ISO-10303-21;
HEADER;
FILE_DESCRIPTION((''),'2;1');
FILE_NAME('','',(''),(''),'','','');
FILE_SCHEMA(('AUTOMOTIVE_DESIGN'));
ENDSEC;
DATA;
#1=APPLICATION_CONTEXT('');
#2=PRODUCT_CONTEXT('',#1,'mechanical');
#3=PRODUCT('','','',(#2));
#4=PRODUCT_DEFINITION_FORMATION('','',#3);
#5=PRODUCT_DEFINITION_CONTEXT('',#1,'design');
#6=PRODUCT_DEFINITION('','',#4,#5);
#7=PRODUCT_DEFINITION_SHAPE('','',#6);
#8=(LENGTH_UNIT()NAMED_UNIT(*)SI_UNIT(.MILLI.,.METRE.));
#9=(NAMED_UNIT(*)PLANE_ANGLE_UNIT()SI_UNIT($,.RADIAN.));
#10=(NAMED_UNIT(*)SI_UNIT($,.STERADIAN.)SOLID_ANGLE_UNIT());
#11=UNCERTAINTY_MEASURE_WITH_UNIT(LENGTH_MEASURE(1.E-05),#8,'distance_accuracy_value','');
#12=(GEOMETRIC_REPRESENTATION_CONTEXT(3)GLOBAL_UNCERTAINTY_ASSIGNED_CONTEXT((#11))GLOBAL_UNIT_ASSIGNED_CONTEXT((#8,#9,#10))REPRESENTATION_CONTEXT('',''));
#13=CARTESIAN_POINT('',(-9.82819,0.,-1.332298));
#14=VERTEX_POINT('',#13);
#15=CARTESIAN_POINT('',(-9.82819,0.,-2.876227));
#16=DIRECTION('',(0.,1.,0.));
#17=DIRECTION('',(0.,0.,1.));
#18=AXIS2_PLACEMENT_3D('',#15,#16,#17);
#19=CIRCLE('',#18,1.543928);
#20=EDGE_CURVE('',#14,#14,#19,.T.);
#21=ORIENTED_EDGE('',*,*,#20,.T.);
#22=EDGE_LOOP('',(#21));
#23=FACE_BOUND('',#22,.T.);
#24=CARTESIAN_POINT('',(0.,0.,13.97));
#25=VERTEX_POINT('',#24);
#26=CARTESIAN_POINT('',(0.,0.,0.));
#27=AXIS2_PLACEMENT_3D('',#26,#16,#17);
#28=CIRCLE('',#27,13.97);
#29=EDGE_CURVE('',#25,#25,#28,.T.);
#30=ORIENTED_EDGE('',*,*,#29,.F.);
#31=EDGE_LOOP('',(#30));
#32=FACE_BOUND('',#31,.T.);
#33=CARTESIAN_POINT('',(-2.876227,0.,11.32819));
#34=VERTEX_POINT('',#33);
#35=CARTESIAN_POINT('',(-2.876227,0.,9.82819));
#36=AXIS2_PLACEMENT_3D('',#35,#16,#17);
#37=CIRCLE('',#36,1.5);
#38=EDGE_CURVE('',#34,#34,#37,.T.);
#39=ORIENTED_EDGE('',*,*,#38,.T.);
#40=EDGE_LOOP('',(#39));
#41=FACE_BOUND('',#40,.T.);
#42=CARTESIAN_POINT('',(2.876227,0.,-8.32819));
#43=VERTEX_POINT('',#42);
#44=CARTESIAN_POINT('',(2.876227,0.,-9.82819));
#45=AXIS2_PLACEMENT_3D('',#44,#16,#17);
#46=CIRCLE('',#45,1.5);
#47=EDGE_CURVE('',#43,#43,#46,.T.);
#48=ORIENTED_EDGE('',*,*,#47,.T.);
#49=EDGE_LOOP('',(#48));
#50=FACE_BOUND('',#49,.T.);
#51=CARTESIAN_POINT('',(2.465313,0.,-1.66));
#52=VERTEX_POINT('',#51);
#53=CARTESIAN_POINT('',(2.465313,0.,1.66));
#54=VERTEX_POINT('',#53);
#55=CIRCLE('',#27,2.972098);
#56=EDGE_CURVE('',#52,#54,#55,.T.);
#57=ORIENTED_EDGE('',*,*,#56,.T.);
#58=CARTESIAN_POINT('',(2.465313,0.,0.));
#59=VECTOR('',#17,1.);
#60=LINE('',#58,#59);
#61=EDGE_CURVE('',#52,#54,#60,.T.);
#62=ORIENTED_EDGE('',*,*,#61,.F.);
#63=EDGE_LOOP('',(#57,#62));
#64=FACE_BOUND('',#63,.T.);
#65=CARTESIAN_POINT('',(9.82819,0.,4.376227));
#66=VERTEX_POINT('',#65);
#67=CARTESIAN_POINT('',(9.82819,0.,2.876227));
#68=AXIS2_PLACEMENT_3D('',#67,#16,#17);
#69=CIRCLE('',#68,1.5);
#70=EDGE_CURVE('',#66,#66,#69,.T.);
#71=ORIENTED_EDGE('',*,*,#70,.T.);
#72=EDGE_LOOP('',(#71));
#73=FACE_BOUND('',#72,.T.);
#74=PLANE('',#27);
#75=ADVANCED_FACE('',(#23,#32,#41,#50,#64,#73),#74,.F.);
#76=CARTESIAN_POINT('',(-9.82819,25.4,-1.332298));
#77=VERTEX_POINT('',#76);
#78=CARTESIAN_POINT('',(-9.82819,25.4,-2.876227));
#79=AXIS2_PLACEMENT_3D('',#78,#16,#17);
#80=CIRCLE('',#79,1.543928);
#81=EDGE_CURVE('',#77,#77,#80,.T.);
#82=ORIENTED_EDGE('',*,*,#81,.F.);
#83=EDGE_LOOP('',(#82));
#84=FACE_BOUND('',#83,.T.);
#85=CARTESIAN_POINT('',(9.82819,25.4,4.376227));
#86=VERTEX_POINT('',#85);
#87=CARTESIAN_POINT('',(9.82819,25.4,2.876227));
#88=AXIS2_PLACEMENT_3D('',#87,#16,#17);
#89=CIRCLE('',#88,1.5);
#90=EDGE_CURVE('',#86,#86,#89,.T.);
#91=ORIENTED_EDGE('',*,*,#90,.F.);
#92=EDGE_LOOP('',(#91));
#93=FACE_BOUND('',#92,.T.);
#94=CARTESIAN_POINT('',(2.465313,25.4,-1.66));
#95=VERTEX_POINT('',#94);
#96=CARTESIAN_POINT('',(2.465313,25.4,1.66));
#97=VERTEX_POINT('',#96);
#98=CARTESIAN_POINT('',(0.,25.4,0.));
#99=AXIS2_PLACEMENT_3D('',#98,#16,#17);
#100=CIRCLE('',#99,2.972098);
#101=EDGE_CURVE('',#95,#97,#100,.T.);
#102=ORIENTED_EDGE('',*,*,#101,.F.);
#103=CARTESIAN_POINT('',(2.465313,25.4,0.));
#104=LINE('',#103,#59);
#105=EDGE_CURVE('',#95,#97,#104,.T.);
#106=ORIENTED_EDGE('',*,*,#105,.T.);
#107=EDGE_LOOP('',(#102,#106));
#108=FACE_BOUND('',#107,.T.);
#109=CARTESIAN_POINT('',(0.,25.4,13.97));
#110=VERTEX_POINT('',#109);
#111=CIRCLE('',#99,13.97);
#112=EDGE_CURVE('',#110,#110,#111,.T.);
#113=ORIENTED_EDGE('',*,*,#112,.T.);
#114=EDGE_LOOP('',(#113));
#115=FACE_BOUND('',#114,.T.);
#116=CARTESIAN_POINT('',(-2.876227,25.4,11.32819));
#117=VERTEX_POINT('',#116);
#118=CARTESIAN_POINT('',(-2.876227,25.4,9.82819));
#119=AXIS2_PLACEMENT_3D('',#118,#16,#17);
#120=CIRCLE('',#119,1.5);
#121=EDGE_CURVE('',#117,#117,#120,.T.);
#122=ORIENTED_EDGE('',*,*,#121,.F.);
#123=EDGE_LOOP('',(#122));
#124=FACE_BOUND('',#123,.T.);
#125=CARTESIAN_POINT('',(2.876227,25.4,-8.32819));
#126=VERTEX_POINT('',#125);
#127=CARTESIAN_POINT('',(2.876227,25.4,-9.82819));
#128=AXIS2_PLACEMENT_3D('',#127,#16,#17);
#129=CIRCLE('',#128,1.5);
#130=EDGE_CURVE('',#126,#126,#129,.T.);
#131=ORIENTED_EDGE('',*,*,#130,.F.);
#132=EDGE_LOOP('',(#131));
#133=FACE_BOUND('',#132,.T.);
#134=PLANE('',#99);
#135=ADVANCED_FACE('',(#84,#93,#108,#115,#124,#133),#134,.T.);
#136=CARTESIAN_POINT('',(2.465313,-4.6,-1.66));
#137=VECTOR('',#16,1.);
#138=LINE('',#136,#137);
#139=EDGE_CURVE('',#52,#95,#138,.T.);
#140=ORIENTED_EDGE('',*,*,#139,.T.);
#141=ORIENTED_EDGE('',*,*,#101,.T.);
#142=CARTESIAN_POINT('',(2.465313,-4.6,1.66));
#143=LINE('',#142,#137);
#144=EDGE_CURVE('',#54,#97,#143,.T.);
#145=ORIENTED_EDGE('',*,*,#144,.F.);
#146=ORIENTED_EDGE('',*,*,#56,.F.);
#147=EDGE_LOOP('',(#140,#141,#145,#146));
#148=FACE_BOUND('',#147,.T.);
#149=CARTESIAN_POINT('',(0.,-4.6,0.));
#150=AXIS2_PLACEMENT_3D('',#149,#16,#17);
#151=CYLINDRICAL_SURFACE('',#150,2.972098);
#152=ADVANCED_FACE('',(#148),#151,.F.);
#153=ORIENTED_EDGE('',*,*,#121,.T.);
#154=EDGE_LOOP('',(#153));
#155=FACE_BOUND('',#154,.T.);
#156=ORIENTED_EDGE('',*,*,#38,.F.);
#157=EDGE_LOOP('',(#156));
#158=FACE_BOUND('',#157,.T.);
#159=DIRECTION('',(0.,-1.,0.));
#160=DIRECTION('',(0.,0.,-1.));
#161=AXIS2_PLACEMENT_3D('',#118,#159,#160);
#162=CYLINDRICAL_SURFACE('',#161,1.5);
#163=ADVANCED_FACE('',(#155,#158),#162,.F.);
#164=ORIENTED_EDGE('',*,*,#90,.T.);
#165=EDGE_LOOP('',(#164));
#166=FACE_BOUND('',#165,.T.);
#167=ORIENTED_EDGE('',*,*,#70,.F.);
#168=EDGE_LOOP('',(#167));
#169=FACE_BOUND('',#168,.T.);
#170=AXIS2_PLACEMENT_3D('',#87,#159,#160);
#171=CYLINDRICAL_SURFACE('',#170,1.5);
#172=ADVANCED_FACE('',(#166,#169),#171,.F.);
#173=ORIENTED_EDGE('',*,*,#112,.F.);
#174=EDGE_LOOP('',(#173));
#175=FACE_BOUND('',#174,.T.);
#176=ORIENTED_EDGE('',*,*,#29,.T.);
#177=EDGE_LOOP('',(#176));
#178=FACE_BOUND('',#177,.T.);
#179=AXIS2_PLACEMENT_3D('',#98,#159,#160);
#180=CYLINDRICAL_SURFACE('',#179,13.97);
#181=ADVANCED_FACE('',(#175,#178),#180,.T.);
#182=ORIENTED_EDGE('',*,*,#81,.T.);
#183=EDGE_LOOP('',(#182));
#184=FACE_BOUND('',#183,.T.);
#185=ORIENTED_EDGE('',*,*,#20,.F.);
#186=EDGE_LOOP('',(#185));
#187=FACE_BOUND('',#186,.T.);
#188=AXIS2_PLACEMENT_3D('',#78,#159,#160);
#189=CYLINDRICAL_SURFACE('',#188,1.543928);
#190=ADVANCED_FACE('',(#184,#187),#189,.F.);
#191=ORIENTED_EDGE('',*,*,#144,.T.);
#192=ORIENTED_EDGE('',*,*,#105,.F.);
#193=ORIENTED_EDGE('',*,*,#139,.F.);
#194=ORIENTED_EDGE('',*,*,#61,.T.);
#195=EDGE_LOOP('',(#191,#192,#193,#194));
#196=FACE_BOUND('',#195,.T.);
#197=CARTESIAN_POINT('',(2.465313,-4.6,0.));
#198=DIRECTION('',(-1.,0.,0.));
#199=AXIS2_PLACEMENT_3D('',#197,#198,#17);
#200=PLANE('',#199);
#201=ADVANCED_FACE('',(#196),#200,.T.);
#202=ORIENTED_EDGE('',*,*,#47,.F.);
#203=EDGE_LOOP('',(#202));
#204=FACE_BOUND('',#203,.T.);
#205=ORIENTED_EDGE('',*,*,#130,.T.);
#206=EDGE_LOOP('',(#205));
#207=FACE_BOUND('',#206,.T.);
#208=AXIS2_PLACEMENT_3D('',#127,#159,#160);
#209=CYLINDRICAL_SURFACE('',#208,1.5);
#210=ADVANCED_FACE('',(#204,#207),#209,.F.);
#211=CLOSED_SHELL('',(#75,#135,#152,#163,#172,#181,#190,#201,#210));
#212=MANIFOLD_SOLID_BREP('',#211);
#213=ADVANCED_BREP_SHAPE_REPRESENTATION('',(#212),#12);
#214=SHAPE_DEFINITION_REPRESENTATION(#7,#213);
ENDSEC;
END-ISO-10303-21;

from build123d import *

# Parameters (mm, degrees)
SKETCH1_R           = 13.97
SKETCH1_R_2         = 1.5
SKETCH1_R_3         = 1.543928493
BOSS_EXTRUDE1_DEPTH = 25.4
CUT_EXTRUDE1_DEPTH  = 30


with BuildPart() as part:
    # Sketch1 → Boss-Extrude1 (new body)
    with BuildSketch(Plane(origin=(0, 0, 0), x_dir=(1, 0, 0), z_dir=(0, 1, 0))):
        with Locations(Location((0, 0, 0), (0, 0, 270))):
            Circle(SKETCH1_R)
        with Locations(Location((2.876226708, 9.828189808, 0), (0, 0, 270))):
            Circle(SKETCH1_R_2, mode=Mode.SUBTRACT)
        with Locations(Location((-9.828189808, 2.876226708, 0), (0, 0, 270))):
            Circle(SKETCH1_R_3, mode=Mode.SUBTRACT)
        with Locations(Location((-2.876226708, -9.828189808, 0), (0, 0, 270))):
            Circle(SKETCH1_R_2, mode=Mode.SUBTRACT)
        with Locations(Location((9.828189808, -2.876226708, 0), (0, 0, 270))):
            Circle(SKETCH1_R_2, mode=Mode.SUBTRACT)
    extrude(amount=BOSS_EXTRUDE1_DEPTH)

    # Sketch2 → Cut-Extrude1 (cut)
    with BuildSketch(Plane(origin=(0, 25.4, 0), x_dir=(1, 0, 0), z_dir=(0, 1, 0))):
        with BuildLine():
            Line((2.465312915, -1.66), (2.465312915, 1.66))
            ThreePointArc((2.465312915, 1.66), (-2.97209821, 0), (2.465312915, -1.66))
        make_face()
    extrude(amount=-CUT_EXTRUDE1_DEPTH, mode=Mode.SUBTRACT)


solid = part.part
